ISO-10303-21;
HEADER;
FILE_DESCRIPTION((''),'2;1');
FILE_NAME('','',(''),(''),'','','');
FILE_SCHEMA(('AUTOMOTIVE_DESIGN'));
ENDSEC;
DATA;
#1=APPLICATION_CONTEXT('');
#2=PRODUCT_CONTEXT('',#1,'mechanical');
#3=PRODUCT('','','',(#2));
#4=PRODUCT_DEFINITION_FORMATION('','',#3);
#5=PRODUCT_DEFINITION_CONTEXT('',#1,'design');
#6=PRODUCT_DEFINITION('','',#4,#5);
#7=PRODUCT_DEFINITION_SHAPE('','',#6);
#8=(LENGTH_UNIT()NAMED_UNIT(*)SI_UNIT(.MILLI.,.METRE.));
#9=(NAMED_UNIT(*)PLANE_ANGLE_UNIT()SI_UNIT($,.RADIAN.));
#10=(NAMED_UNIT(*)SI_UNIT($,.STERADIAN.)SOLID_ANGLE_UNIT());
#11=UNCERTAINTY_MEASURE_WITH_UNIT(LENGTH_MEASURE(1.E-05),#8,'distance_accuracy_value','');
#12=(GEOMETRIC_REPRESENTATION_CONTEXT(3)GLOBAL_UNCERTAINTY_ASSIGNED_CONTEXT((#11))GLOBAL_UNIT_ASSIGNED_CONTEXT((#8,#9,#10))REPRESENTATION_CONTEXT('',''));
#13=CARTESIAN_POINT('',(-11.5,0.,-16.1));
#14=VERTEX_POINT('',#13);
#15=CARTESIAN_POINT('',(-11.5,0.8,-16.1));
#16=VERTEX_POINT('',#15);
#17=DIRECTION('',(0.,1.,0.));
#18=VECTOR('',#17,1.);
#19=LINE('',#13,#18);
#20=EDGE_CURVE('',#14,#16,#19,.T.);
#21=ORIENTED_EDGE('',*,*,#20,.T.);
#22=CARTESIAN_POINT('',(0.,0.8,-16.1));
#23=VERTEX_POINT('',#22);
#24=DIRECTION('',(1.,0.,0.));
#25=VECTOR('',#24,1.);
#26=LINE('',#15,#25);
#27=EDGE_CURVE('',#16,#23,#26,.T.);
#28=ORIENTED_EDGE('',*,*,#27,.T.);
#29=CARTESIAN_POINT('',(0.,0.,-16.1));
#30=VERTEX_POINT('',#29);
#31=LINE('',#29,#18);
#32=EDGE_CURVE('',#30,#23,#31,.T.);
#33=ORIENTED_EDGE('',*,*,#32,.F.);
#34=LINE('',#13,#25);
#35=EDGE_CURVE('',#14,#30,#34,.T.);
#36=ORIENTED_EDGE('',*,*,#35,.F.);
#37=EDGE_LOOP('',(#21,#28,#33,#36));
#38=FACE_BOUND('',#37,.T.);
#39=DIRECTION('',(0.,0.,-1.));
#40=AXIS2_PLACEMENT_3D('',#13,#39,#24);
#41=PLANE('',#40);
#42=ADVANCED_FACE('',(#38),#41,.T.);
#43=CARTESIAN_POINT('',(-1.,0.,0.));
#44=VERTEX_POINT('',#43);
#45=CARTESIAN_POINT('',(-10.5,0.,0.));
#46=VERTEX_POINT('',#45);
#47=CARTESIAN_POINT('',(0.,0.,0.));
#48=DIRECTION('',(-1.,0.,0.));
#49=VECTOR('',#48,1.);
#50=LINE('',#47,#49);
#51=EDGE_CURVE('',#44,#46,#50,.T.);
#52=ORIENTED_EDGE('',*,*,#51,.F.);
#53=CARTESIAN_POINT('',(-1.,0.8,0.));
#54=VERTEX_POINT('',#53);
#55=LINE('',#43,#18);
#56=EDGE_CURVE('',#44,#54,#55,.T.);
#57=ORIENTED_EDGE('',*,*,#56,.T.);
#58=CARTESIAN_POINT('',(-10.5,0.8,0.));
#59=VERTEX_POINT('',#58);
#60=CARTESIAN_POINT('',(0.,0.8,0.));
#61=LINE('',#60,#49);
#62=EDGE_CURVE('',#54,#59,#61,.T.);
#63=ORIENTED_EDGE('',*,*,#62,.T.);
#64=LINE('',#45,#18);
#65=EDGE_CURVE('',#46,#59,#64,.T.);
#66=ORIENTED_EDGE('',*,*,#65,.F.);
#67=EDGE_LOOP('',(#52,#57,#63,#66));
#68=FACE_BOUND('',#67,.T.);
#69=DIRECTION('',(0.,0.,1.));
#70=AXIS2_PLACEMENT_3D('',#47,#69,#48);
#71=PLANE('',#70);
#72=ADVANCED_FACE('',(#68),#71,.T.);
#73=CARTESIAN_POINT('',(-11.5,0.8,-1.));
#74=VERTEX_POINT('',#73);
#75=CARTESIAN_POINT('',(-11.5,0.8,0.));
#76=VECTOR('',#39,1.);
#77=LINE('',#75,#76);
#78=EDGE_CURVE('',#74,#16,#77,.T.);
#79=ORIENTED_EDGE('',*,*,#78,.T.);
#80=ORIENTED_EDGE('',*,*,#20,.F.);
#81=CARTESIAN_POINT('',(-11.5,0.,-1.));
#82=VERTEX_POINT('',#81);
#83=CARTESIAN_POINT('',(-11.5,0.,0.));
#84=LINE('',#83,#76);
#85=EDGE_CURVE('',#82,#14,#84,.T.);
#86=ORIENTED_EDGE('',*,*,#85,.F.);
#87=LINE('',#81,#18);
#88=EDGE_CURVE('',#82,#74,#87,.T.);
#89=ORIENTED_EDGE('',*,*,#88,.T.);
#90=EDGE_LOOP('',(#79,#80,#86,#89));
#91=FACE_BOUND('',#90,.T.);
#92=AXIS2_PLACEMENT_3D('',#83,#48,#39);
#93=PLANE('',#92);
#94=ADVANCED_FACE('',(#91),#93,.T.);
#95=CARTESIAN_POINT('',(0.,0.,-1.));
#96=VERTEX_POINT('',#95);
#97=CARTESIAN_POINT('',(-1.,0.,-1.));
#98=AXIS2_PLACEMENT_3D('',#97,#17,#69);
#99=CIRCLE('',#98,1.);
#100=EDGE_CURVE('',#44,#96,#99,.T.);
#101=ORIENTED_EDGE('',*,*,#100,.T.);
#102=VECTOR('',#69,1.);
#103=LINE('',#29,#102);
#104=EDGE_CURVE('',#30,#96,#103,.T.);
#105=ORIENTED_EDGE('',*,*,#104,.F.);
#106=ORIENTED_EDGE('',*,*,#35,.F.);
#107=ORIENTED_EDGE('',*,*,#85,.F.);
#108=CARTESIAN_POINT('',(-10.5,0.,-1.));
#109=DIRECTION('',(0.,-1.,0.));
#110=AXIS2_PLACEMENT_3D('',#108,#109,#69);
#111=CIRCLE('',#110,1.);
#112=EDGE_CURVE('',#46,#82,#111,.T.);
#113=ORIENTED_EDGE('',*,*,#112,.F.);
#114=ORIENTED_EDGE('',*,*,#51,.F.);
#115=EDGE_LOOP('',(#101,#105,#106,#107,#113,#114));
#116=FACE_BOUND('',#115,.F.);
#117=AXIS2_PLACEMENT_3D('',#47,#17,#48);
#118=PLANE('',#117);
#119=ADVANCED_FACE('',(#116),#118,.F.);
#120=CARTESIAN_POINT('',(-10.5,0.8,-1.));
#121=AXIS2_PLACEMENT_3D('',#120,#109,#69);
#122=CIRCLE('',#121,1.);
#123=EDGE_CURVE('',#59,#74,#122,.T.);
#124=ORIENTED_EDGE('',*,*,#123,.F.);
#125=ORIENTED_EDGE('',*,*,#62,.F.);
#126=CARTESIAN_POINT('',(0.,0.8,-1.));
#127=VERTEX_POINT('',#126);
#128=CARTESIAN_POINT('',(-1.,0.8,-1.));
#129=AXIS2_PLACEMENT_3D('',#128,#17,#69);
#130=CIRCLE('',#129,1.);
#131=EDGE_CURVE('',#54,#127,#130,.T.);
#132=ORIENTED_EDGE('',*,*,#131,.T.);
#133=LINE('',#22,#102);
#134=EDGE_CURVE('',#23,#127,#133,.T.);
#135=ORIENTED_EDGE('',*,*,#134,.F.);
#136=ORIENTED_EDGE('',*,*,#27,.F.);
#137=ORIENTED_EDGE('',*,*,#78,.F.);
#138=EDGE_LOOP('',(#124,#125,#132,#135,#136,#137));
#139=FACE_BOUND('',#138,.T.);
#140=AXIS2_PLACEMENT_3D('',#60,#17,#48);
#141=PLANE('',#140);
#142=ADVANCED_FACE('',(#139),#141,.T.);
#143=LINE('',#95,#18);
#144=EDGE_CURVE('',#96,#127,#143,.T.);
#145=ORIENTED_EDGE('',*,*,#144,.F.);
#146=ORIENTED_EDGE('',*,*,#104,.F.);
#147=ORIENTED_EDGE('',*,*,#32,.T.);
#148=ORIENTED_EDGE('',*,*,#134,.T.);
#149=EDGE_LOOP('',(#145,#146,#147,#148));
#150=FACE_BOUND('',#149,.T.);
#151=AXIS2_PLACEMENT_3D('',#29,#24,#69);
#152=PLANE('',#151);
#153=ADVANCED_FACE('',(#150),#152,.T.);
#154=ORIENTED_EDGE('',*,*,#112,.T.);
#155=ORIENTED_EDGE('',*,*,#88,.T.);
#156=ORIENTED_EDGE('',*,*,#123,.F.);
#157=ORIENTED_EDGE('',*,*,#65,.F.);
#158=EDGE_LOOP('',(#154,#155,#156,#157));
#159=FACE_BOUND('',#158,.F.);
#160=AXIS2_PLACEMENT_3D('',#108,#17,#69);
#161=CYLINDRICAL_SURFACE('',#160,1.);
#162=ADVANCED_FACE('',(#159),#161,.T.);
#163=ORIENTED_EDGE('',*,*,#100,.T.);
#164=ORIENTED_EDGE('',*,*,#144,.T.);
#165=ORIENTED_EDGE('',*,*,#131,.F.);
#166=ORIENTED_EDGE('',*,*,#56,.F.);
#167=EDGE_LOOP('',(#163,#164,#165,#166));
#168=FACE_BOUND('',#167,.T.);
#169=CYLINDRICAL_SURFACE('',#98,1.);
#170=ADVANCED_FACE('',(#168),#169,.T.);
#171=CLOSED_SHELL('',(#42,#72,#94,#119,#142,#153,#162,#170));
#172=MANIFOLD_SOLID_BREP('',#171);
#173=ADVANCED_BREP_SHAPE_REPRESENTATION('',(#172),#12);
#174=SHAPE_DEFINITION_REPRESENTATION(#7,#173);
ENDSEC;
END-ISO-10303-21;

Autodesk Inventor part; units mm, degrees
ref_plane "YZ Plane" through (0, 0, 0) normal (1, 0, 0) x (0, 1, 0)
ref_plane "XZ Plane" through (0, 0, 0) normal (0, 1, 0) x (-1, 0, 0)
ref_plane "XY Plane" through (0, 0, 0) normal (0, 0, 1) x (1, 0, 0)
sketch "스케치1" plane through (0, 0, 0) normal (0, 1, 0) x (-1, 0, 0)
  line L0 (0, 0) -> (11.5, 0)
  line L1 (11.5, 0) -> (11.5, -16.1)
  line L2 (11.5, -16.1) -> (0, -16.1)
  line L3 (0, -16.1) -> (0, 0)
  dimension "d0" = 11.5
  dimension "d1" = 16.1
extrude "돌출1" add sketch "스케치1" along normal blind 0.8
fillet "모깎기1" radius 1 2 edges at (0, 0.4, 0) (-11.5, 0.4, 0)
properties part number "Case_Top"
